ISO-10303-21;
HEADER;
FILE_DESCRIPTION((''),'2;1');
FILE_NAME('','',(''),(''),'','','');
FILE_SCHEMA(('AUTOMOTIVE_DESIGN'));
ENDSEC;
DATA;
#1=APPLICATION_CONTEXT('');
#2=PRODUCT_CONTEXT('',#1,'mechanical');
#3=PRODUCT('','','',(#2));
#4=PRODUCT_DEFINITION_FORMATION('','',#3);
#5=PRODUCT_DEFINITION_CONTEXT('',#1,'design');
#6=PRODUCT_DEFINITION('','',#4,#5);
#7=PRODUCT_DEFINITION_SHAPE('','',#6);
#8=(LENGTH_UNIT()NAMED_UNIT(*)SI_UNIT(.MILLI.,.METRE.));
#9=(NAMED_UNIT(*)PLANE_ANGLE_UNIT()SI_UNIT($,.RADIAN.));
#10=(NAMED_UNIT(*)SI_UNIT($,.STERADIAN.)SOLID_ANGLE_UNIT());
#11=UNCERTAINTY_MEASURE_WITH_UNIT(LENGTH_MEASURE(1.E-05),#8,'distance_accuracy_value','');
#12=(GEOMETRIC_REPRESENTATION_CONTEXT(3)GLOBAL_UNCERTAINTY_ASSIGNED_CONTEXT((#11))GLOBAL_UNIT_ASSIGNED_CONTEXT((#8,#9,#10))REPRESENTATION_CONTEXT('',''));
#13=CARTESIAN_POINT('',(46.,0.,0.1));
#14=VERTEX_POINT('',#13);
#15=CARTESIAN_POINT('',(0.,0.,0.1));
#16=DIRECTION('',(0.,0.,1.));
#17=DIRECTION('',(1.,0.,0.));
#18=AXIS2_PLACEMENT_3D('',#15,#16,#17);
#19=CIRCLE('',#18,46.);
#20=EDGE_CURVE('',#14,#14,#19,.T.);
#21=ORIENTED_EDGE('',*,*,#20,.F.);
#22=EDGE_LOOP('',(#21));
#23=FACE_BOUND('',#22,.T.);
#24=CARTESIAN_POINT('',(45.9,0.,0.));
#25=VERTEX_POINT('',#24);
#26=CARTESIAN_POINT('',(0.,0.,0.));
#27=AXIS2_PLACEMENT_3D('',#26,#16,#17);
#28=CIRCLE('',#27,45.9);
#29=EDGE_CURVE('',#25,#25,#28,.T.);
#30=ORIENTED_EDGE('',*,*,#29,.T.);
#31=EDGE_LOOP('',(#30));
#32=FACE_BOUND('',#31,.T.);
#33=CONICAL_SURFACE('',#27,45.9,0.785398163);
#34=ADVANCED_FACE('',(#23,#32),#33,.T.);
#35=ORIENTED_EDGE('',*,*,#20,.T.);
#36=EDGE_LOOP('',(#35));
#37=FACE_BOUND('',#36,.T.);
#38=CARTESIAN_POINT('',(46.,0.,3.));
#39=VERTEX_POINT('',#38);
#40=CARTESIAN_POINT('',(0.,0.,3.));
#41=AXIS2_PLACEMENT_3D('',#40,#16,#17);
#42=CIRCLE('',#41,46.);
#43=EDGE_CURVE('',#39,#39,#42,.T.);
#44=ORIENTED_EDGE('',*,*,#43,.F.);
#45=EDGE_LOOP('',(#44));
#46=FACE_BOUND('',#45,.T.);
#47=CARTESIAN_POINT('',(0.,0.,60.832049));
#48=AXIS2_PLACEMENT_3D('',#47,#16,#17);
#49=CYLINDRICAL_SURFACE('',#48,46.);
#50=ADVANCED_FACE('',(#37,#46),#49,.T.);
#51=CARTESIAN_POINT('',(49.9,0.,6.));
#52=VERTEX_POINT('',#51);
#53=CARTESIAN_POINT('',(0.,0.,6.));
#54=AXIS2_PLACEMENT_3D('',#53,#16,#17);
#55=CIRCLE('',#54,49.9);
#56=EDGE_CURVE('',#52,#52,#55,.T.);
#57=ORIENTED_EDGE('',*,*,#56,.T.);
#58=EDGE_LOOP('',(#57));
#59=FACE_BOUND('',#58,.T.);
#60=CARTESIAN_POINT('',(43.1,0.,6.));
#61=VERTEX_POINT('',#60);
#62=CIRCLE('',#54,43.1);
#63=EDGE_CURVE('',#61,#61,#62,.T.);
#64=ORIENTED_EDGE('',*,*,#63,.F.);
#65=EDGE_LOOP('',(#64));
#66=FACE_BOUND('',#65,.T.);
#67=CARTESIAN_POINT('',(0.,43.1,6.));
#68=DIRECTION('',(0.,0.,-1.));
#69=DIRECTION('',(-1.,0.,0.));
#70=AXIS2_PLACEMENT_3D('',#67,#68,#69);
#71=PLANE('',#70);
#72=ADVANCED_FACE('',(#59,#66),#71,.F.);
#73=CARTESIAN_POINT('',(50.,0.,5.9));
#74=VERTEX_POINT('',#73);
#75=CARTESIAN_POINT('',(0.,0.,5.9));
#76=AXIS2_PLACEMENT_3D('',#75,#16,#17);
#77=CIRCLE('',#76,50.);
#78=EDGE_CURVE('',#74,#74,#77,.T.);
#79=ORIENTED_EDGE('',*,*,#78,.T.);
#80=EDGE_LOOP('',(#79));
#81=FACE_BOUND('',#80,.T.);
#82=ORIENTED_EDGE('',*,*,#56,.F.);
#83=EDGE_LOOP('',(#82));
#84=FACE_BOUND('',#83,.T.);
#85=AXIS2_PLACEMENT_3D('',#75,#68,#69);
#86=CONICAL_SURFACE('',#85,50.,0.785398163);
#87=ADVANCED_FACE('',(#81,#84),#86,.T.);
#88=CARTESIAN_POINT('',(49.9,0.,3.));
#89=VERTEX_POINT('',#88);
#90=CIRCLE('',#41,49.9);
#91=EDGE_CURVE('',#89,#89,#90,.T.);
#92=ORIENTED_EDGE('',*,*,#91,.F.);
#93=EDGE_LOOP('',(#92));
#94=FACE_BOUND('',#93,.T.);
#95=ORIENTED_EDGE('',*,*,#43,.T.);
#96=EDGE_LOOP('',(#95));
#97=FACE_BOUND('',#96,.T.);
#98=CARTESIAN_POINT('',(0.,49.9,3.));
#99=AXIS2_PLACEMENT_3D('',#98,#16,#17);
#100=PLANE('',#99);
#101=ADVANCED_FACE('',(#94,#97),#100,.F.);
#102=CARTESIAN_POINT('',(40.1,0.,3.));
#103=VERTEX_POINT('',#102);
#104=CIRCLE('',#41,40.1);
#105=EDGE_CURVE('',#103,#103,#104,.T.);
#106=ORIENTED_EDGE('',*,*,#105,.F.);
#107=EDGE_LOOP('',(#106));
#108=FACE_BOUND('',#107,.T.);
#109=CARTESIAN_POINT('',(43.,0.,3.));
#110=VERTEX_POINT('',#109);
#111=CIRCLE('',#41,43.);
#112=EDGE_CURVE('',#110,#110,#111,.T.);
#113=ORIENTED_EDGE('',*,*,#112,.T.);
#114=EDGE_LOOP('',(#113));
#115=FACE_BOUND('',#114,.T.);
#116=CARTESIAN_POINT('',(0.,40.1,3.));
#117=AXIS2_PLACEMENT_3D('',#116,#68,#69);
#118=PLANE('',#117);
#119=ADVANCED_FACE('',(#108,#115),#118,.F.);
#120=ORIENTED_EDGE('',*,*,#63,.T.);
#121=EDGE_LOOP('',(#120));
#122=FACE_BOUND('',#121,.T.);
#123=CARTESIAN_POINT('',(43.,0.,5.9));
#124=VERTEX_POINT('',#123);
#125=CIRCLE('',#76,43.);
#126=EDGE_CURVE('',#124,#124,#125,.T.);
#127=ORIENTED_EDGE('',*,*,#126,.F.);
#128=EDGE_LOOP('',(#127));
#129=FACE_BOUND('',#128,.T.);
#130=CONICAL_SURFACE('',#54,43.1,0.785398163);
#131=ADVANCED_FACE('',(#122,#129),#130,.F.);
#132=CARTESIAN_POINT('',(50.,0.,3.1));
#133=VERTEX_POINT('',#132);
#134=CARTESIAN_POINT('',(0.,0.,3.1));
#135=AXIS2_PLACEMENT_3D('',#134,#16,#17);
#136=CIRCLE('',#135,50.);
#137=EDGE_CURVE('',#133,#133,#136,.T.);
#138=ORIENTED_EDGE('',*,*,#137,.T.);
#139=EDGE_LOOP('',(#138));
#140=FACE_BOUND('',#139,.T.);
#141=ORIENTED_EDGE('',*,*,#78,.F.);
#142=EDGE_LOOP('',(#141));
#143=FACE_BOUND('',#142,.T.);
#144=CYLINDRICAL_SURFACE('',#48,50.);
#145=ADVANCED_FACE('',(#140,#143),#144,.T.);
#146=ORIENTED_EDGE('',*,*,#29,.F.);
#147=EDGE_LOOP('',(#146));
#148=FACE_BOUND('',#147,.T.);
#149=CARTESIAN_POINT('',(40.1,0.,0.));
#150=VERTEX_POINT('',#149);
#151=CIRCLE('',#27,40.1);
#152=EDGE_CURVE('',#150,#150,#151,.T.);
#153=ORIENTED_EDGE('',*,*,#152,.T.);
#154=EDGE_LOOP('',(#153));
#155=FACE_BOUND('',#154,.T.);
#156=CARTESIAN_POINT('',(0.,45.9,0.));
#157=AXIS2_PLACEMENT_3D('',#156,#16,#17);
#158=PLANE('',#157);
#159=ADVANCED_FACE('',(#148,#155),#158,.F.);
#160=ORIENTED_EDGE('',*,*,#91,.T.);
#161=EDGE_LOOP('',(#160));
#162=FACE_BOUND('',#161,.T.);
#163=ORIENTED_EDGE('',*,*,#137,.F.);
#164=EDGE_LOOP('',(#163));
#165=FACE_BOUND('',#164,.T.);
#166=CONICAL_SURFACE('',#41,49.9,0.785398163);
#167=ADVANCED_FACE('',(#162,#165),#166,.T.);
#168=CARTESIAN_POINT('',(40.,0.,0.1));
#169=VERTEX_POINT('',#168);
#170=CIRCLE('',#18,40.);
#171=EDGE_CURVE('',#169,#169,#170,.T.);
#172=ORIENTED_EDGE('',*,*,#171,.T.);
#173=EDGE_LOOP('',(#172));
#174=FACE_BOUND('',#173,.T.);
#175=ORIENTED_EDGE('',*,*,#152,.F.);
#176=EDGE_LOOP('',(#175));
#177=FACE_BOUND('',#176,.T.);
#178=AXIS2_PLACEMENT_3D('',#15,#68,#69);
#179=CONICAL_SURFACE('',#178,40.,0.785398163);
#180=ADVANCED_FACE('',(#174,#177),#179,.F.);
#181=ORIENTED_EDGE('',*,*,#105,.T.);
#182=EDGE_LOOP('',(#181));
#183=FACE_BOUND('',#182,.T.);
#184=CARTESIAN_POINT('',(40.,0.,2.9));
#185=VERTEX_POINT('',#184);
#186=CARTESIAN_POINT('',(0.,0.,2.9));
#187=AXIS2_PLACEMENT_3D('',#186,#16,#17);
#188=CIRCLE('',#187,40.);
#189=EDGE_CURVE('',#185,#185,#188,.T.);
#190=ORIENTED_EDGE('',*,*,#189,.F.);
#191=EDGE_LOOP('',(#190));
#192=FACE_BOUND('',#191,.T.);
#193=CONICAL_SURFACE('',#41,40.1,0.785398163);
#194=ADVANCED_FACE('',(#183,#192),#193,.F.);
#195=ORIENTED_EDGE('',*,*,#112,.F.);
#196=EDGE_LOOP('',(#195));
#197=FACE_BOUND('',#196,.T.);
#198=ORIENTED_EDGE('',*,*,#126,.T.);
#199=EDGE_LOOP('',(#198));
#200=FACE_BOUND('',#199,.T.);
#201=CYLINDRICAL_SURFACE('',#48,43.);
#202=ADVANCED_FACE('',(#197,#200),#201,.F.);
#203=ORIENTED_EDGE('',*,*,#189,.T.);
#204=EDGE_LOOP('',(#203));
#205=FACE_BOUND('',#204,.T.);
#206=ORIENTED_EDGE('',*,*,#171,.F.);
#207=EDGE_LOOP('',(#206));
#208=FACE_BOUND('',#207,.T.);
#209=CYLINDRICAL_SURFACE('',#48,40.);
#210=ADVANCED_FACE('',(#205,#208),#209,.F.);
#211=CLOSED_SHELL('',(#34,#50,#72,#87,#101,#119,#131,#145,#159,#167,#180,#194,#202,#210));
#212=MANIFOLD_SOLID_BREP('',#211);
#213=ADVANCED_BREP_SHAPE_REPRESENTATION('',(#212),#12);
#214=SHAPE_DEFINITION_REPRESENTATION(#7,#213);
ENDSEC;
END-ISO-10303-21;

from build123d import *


with BuildPart() as part:
    # Sketch1 → Revolve1 (revolve)
    with BuildSketch(Plane(origin=(0, 0, 0), x_dir=(0, 0, -1), z_dir=(1, 0, 0)), mode=Mode.PRIVATE) as revolve1_sk:
        Polygon((-0.1, 40), (-2.9, 40), (-3, 40.1), (-3, 43), (-5.9, 43), (-6, 43.1), (-6, 49.9), (-5.9, 50), (-3.1, 50), (-3, 49.9), (-3, 46), (-0.1, 46), (0, 45.9), (0, 40.1), align=None)
    revolve(revolve1_sk.sketch.rotate(Axis((0, 0, 60.832049307), (0, 0, -1)), 90), axis=Axis((0, 0, 60.832049307), (0, 0, -1)))


solid = part.part
